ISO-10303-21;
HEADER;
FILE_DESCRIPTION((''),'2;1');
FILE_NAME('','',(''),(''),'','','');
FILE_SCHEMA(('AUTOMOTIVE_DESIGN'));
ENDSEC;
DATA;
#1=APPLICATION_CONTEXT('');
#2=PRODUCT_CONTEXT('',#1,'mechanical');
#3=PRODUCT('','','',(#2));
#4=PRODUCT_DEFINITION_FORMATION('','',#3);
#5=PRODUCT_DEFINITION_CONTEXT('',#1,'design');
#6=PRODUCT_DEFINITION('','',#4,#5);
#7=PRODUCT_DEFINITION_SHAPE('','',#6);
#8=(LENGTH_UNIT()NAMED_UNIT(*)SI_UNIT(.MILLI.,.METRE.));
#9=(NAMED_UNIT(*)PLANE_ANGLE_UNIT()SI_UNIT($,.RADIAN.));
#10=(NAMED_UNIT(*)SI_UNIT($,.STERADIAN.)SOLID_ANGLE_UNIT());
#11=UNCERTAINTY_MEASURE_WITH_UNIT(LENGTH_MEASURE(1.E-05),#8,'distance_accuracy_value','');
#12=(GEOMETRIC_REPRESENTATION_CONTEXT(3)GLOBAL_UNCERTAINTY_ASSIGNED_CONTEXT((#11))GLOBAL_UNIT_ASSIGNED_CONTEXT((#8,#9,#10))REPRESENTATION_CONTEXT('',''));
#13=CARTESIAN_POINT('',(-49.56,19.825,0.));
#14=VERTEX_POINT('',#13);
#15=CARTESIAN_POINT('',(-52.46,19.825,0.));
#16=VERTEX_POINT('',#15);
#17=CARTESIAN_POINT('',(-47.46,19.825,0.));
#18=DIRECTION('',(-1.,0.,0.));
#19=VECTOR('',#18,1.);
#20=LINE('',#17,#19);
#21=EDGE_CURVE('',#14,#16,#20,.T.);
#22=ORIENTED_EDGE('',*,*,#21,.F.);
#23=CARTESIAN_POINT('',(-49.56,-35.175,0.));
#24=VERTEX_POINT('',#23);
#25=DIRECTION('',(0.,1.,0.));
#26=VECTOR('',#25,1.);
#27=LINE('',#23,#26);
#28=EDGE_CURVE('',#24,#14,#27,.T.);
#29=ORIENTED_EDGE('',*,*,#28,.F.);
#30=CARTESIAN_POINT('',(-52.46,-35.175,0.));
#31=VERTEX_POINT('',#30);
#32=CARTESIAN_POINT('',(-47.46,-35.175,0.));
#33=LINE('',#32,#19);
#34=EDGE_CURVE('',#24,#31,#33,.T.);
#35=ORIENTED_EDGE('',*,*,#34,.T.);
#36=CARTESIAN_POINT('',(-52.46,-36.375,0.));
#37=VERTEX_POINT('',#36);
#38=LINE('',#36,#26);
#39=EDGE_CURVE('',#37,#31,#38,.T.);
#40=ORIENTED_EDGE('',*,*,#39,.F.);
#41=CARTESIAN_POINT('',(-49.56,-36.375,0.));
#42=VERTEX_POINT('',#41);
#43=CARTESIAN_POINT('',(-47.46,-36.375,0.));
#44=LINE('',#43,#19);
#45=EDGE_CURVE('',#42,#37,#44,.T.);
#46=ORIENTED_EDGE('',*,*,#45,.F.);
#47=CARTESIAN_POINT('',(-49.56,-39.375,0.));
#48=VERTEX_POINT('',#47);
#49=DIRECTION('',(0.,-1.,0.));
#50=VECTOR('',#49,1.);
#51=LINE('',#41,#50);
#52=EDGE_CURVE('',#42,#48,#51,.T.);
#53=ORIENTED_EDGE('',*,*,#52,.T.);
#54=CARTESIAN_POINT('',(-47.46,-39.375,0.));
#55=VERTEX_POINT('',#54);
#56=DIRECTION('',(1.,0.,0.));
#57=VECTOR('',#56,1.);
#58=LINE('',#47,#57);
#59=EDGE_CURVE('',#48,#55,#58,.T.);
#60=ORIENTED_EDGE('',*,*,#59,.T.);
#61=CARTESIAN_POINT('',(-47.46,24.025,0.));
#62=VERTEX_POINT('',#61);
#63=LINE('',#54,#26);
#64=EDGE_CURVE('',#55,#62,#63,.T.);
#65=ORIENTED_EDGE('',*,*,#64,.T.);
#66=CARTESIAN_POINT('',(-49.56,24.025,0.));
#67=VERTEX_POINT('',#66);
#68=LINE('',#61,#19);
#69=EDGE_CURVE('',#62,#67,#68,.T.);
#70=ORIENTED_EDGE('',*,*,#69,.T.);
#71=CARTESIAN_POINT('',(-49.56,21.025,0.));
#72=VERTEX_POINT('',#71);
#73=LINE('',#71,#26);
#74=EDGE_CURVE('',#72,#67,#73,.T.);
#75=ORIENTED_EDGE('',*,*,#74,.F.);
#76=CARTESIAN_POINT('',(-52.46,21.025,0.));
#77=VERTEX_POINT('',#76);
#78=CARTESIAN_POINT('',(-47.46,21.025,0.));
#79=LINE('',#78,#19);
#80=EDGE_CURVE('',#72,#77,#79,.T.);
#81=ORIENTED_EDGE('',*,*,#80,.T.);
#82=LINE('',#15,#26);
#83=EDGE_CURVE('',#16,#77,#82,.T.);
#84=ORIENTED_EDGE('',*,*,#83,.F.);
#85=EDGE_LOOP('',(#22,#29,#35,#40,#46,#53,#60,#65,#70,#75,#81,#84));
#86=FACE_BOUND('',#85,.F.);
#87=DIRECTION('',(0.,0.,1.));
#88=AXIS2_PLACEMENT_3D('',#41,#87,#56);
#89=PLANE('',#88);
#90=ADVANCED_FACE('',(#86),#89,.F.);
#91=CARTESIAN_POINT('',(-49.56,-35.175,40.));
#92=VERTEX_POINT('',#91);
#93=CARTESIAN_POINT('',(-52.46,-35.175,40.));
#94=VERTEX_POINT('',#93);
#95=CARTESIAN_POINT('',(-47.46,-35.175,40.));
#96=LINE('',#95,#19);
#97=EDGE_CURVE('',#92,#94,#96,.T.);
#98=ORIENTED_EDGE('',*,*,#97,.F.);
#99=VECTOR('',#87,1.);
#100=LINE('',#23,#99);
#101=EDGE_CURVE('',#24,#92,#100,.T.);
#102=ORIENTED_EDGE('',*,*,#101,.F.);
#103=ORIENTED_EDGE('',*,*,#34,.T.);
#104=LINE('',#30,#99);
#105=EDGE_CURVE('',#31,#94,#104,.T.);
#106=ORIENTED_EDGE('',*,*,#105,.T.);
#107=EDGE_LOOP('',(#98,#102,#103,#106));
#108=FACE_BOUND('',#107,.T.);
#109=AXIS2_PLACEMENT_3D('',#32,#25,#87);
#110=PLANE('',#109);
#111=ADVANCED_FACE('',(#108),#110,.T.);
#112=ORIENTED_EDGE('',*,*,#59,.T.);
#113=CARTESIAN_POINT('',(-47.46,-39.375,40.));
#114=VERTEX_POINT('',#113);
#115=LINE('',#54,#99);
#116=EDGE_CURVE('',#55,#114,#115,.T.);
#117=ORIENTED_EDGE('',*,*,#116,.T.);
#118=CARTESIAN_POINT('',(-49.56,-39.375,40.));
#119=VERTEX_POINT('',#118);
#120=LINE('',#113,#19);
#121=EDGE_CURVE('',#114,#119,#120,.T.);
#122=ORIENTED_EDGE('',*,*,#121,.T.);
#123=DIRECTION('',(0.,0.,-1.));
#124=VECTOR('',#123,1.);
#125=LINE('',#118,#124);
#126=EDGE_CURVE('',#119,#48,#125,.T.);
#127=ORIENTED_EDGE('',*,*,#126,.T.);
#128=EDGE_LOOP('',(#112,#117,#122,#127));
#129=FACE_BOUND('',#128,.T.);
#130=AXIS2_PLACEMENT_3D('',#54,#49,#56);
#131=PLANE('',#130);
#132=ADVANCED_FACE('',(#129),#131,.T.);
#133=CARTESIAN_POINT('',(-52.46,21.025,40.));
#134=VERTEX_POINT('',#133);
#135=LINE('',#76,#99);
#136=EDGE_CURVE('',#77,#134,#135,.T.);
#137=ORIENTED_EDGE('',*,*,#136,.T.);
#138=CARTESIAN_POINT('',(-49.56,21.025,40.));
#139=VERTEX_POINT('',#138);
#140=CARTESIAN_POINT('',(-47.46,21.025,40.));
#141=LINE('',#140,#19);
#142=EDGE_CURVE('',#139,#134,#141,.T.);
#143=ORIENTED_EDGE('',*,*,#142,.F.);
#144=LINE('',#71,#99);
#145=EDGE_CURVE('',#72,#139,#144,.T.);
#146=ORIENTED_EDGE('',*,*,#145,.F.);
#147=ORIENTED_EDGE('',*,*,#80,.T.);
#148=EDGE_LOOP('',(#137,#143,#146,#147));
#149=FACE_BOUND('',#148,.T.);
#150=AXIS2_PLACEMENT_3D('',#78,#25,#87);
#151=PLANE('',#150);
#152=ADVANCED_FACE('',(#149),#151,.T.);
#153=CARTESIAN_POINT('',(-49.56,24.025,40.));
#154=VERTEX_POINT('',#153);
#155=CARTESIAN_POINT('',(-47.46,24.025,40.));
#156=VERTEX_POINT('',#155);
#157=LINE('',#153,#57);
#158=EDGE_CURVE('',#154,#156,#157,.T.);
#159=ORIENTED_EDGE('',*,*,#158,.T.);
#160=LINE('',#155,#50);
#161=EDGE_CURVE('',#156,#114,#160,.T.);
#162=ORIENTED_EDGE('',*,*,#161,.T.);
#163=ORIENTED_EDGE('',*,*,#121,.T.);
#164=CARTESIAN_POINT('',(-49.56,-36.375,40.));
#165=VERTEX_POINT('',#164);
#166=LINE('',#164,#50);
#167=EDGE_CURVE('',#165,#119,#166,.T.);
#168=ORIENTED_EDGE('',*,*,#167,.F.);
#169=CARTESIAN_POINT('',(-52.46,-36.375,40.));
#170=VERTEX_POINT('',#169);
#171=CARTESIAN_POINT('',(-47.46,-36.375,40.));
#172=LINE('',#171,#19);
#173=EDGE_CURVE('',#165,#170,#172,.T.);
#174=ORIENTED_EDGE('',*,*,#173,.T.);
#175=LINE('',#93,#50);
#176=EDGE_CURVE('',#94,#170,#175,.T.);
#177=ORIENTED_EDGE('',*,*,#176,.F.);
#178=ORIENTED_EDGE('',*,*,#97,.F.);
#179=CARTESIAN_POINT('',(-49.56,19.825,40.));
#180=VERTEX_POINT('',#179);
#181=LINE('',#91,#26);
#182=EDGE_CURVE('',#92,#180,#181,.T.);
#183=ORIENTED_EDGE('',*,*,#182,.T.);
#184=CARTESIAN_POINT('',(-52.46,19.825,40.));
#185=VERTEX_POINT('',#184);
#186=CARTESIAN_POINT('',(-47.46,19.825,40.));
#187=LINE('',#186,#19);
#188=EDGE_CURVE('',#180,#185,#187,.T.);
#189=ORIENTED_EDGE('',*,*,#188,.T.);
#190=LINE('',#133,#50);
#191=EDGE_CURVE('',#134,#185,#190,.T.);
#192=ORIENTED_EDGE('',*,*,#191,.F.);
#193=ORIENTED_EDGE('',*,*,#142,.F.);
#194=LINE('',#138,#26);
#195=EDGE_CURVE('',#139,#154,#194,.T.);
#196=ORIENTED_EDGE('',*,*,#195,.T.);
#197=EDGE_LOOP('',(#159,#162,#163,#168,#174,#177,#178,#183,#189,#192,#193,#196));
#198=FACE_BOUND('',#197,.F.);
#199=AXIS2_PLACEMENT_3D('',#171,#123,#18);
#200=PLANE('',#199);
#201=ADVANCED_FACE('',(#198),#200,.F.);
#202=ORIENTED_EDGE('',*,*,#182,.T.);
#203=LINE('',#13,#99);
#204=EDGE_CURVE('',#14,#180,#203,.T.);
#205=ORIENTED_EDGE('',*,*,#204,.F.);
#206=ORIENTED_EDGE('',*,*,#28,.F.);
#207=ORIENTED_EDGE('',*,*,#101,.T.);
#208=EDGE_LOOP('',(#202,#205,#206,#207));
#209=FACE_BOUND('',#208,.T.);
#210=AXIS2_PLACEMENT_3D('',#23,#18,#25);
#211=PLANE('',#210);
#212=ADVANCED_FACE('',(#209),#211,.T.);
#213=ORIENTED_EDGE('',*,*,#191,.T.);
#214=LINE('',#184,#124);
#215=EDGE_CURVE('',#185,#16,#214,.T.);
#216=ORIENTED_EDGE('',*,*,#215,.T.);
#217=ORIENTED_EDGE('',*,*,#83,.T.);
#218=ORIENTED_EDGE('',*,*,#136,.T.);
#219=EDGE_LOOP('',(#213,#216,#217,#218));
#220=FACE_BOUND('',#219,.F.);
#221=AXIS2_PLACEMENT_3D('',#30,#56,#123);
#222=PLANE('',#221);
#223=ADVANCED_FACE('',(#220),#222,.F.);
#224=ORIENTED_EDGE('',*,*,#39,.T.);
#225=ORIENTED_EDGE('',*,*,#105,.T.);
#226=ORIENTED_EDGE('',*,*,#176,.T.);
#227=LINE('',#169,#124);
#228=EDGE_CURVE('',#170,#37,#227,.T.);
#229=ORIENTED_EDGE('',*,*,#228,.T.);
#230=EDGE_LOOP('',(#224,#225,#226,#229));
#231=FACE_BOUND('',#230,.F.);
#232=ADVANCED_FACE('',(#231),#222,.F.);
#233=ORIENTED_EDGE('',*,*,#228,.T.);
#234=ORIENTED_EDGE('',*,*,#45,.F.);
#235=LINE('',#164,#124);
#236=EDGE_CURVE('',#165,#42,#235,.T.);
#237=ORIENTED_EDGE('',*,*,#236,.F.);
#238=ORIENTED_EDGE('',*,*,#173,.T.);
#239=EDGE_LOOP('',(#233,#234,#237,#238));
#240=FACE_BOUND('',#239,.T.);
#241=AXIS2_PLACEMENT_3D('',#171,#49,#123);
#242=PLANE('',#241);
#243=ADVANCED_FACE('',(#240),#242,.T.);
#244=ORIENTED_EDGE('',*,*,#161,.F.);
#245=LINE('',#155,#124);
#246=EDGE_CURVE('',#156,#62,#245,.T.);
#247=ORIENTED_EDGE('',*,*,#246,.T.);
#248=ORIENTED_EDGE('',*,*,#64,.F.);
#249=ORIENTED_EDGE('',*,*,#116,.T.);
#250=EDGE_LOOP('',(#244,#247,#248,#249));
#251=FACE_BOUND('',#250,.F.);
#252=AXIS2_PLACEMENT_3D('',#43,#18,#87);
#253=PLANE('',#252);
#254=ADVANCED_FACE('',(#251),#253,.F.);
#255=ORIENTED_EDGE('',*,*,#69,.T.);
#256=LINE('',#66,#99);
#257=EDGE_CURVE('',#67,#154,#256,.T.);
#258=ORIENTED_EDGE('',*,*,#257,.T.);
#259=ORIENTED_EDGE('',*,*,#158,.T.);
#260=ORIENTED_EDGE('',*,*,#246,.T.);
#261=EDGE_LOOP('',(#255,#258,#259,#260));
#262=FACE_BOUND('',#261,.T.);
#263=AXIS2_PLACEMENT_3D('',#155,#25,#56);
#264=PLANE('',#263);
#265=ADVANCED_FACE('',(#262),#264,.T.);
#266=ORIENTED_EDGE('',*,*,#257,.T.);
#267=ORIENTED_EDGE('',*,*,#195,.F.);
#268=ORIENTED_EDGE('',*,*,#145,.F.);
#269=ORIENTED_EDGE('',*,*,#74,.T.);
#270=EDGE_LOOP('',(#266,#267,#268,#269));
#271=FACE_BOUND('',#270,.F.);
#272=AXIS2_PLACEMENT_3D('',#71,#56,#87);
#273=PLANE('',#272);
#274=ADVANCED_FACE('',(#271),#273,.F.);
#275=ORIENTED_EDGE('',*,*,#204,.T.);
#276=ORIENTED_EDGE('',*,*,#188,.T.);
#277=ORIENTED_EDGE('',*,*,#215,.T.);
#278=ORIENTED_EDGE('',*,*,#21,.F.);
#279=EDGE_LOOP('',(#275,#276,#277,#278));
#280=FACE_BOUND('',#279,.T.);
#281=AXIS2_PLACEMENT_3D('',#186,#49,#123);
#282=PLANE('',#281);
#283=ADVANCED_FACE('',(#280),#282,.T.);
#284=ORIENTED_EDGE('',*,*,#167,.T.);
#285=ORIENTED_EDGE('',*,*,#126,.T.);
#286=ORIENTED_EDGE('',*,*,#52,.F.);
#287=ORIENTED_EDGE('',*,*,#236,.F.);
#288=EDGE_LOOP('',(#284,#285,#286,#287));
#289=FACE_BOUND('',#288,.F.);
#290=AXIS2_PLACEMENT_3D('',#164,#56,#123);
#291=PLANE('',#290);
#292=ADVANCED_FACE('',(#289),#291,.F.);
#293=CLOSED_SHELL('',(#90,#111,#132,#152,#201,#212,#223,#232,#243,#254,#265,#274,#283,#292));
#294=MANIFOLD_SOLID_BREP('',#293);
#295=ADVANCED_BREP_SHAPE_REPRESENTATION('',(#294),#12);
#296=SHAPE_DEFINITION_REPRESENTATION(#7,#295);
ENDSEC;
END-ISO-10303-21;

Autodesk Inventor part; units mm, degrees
ref_plane "YZ Plane" through (0, 0, 0) normal (1, 0, 0) x (0, 1, 0)
ref_plane "XZ Plane" through (0, 0, 0) normal (0, 1, 0) x (-1, 0, 0)
ref_plane "XY Plane" through (0, 0, 0) normal (0, 0, 1) x (1, 0, 0)
sketch "Sketch1" plane through (0, 0, 0) normal (0, 0, 1) x (1, 0, 0)
  line L0 (-49.56, 19.825) -> (-47.46, 19.825)
  line L1 (-47.46, 19.825) -> (-47.46, -35.175)
  line L2 (-47.46, -35.175) -> (-49.56, -35.175)
  line L3 (-49.56, -35.175) -> (-49.56, 19.825)
  point P0 (0, 0)
  dimension "d0" = 2.1
  dimension "d1" = 55
extrude "Extrusion1" add sketch "Sketch1" along normal blind 40
sketch "Sketch2" plane through (-47.46, -35.175, 0) normal (1, 0, 0) x (0, 0, -1)
  line L0 (-40, 55) -> (0, 55)
  line L1 (0, 55) -> (0, 56.2)
  line L2 (0, 56.2) -> (-40, 56.2)
  line L3 (-40, 56.2) -> (-40, 55)
  line L4 (0, 0) -> (-40, 0)
  line L5 (-40, 0) -> (-40, -1.2)
  line L6 (-40, -1.2) -> (0, -1.2)
  line L7 (0, -1.2) -> (0, 0)
  line L8 (0, 55) -> (0, 0) projected
  line L9 (-40, 0) -> (-40, 55) projected
  point P0 (0, 35.175)
  dimension "d4" = 1.2
  dimension "d5" = 1.2
extrude "Extrusion2" add sketch "Sketch2" against normal blind 5 contours L3 L2 L1 L0 | L4 L7 L6 L5
sketch "Sketch3" plane through (-47.46, 21.025, 40) normal (0, 1, 0) x (1, 0, 0)
  line L0 (0, 40) -> (-2.1, 40)
  line L1 (-2.1, 40) -> (-2.1, 0)
  line L2 (-2.1, 0) -> (0, 0)
  line L3 (0, 0) -> (0, 40)
  point P0 (47.46, 40)
extrude "Extrusion3" add sketch "Sketch3" along normal blind 3
sketch "Sketch4" plane through (-47.46, -36.375, 0) normal (0, -1, 0) x (1, 0, 0)
  line L0 (0, 40) -> (-2.1, 40)
  line L1 (-2.1, 40) -> (-2.1, 0)
  line L2 (-2.1, 0) -> (0, 0)
  line L3 (0, 0) -> (0, 40)
  point P0 (47.46, 0)
extrude "Extrusion4" add sketch "Sketch4" along normal blind 3
properties part number "40mm Side v1"
